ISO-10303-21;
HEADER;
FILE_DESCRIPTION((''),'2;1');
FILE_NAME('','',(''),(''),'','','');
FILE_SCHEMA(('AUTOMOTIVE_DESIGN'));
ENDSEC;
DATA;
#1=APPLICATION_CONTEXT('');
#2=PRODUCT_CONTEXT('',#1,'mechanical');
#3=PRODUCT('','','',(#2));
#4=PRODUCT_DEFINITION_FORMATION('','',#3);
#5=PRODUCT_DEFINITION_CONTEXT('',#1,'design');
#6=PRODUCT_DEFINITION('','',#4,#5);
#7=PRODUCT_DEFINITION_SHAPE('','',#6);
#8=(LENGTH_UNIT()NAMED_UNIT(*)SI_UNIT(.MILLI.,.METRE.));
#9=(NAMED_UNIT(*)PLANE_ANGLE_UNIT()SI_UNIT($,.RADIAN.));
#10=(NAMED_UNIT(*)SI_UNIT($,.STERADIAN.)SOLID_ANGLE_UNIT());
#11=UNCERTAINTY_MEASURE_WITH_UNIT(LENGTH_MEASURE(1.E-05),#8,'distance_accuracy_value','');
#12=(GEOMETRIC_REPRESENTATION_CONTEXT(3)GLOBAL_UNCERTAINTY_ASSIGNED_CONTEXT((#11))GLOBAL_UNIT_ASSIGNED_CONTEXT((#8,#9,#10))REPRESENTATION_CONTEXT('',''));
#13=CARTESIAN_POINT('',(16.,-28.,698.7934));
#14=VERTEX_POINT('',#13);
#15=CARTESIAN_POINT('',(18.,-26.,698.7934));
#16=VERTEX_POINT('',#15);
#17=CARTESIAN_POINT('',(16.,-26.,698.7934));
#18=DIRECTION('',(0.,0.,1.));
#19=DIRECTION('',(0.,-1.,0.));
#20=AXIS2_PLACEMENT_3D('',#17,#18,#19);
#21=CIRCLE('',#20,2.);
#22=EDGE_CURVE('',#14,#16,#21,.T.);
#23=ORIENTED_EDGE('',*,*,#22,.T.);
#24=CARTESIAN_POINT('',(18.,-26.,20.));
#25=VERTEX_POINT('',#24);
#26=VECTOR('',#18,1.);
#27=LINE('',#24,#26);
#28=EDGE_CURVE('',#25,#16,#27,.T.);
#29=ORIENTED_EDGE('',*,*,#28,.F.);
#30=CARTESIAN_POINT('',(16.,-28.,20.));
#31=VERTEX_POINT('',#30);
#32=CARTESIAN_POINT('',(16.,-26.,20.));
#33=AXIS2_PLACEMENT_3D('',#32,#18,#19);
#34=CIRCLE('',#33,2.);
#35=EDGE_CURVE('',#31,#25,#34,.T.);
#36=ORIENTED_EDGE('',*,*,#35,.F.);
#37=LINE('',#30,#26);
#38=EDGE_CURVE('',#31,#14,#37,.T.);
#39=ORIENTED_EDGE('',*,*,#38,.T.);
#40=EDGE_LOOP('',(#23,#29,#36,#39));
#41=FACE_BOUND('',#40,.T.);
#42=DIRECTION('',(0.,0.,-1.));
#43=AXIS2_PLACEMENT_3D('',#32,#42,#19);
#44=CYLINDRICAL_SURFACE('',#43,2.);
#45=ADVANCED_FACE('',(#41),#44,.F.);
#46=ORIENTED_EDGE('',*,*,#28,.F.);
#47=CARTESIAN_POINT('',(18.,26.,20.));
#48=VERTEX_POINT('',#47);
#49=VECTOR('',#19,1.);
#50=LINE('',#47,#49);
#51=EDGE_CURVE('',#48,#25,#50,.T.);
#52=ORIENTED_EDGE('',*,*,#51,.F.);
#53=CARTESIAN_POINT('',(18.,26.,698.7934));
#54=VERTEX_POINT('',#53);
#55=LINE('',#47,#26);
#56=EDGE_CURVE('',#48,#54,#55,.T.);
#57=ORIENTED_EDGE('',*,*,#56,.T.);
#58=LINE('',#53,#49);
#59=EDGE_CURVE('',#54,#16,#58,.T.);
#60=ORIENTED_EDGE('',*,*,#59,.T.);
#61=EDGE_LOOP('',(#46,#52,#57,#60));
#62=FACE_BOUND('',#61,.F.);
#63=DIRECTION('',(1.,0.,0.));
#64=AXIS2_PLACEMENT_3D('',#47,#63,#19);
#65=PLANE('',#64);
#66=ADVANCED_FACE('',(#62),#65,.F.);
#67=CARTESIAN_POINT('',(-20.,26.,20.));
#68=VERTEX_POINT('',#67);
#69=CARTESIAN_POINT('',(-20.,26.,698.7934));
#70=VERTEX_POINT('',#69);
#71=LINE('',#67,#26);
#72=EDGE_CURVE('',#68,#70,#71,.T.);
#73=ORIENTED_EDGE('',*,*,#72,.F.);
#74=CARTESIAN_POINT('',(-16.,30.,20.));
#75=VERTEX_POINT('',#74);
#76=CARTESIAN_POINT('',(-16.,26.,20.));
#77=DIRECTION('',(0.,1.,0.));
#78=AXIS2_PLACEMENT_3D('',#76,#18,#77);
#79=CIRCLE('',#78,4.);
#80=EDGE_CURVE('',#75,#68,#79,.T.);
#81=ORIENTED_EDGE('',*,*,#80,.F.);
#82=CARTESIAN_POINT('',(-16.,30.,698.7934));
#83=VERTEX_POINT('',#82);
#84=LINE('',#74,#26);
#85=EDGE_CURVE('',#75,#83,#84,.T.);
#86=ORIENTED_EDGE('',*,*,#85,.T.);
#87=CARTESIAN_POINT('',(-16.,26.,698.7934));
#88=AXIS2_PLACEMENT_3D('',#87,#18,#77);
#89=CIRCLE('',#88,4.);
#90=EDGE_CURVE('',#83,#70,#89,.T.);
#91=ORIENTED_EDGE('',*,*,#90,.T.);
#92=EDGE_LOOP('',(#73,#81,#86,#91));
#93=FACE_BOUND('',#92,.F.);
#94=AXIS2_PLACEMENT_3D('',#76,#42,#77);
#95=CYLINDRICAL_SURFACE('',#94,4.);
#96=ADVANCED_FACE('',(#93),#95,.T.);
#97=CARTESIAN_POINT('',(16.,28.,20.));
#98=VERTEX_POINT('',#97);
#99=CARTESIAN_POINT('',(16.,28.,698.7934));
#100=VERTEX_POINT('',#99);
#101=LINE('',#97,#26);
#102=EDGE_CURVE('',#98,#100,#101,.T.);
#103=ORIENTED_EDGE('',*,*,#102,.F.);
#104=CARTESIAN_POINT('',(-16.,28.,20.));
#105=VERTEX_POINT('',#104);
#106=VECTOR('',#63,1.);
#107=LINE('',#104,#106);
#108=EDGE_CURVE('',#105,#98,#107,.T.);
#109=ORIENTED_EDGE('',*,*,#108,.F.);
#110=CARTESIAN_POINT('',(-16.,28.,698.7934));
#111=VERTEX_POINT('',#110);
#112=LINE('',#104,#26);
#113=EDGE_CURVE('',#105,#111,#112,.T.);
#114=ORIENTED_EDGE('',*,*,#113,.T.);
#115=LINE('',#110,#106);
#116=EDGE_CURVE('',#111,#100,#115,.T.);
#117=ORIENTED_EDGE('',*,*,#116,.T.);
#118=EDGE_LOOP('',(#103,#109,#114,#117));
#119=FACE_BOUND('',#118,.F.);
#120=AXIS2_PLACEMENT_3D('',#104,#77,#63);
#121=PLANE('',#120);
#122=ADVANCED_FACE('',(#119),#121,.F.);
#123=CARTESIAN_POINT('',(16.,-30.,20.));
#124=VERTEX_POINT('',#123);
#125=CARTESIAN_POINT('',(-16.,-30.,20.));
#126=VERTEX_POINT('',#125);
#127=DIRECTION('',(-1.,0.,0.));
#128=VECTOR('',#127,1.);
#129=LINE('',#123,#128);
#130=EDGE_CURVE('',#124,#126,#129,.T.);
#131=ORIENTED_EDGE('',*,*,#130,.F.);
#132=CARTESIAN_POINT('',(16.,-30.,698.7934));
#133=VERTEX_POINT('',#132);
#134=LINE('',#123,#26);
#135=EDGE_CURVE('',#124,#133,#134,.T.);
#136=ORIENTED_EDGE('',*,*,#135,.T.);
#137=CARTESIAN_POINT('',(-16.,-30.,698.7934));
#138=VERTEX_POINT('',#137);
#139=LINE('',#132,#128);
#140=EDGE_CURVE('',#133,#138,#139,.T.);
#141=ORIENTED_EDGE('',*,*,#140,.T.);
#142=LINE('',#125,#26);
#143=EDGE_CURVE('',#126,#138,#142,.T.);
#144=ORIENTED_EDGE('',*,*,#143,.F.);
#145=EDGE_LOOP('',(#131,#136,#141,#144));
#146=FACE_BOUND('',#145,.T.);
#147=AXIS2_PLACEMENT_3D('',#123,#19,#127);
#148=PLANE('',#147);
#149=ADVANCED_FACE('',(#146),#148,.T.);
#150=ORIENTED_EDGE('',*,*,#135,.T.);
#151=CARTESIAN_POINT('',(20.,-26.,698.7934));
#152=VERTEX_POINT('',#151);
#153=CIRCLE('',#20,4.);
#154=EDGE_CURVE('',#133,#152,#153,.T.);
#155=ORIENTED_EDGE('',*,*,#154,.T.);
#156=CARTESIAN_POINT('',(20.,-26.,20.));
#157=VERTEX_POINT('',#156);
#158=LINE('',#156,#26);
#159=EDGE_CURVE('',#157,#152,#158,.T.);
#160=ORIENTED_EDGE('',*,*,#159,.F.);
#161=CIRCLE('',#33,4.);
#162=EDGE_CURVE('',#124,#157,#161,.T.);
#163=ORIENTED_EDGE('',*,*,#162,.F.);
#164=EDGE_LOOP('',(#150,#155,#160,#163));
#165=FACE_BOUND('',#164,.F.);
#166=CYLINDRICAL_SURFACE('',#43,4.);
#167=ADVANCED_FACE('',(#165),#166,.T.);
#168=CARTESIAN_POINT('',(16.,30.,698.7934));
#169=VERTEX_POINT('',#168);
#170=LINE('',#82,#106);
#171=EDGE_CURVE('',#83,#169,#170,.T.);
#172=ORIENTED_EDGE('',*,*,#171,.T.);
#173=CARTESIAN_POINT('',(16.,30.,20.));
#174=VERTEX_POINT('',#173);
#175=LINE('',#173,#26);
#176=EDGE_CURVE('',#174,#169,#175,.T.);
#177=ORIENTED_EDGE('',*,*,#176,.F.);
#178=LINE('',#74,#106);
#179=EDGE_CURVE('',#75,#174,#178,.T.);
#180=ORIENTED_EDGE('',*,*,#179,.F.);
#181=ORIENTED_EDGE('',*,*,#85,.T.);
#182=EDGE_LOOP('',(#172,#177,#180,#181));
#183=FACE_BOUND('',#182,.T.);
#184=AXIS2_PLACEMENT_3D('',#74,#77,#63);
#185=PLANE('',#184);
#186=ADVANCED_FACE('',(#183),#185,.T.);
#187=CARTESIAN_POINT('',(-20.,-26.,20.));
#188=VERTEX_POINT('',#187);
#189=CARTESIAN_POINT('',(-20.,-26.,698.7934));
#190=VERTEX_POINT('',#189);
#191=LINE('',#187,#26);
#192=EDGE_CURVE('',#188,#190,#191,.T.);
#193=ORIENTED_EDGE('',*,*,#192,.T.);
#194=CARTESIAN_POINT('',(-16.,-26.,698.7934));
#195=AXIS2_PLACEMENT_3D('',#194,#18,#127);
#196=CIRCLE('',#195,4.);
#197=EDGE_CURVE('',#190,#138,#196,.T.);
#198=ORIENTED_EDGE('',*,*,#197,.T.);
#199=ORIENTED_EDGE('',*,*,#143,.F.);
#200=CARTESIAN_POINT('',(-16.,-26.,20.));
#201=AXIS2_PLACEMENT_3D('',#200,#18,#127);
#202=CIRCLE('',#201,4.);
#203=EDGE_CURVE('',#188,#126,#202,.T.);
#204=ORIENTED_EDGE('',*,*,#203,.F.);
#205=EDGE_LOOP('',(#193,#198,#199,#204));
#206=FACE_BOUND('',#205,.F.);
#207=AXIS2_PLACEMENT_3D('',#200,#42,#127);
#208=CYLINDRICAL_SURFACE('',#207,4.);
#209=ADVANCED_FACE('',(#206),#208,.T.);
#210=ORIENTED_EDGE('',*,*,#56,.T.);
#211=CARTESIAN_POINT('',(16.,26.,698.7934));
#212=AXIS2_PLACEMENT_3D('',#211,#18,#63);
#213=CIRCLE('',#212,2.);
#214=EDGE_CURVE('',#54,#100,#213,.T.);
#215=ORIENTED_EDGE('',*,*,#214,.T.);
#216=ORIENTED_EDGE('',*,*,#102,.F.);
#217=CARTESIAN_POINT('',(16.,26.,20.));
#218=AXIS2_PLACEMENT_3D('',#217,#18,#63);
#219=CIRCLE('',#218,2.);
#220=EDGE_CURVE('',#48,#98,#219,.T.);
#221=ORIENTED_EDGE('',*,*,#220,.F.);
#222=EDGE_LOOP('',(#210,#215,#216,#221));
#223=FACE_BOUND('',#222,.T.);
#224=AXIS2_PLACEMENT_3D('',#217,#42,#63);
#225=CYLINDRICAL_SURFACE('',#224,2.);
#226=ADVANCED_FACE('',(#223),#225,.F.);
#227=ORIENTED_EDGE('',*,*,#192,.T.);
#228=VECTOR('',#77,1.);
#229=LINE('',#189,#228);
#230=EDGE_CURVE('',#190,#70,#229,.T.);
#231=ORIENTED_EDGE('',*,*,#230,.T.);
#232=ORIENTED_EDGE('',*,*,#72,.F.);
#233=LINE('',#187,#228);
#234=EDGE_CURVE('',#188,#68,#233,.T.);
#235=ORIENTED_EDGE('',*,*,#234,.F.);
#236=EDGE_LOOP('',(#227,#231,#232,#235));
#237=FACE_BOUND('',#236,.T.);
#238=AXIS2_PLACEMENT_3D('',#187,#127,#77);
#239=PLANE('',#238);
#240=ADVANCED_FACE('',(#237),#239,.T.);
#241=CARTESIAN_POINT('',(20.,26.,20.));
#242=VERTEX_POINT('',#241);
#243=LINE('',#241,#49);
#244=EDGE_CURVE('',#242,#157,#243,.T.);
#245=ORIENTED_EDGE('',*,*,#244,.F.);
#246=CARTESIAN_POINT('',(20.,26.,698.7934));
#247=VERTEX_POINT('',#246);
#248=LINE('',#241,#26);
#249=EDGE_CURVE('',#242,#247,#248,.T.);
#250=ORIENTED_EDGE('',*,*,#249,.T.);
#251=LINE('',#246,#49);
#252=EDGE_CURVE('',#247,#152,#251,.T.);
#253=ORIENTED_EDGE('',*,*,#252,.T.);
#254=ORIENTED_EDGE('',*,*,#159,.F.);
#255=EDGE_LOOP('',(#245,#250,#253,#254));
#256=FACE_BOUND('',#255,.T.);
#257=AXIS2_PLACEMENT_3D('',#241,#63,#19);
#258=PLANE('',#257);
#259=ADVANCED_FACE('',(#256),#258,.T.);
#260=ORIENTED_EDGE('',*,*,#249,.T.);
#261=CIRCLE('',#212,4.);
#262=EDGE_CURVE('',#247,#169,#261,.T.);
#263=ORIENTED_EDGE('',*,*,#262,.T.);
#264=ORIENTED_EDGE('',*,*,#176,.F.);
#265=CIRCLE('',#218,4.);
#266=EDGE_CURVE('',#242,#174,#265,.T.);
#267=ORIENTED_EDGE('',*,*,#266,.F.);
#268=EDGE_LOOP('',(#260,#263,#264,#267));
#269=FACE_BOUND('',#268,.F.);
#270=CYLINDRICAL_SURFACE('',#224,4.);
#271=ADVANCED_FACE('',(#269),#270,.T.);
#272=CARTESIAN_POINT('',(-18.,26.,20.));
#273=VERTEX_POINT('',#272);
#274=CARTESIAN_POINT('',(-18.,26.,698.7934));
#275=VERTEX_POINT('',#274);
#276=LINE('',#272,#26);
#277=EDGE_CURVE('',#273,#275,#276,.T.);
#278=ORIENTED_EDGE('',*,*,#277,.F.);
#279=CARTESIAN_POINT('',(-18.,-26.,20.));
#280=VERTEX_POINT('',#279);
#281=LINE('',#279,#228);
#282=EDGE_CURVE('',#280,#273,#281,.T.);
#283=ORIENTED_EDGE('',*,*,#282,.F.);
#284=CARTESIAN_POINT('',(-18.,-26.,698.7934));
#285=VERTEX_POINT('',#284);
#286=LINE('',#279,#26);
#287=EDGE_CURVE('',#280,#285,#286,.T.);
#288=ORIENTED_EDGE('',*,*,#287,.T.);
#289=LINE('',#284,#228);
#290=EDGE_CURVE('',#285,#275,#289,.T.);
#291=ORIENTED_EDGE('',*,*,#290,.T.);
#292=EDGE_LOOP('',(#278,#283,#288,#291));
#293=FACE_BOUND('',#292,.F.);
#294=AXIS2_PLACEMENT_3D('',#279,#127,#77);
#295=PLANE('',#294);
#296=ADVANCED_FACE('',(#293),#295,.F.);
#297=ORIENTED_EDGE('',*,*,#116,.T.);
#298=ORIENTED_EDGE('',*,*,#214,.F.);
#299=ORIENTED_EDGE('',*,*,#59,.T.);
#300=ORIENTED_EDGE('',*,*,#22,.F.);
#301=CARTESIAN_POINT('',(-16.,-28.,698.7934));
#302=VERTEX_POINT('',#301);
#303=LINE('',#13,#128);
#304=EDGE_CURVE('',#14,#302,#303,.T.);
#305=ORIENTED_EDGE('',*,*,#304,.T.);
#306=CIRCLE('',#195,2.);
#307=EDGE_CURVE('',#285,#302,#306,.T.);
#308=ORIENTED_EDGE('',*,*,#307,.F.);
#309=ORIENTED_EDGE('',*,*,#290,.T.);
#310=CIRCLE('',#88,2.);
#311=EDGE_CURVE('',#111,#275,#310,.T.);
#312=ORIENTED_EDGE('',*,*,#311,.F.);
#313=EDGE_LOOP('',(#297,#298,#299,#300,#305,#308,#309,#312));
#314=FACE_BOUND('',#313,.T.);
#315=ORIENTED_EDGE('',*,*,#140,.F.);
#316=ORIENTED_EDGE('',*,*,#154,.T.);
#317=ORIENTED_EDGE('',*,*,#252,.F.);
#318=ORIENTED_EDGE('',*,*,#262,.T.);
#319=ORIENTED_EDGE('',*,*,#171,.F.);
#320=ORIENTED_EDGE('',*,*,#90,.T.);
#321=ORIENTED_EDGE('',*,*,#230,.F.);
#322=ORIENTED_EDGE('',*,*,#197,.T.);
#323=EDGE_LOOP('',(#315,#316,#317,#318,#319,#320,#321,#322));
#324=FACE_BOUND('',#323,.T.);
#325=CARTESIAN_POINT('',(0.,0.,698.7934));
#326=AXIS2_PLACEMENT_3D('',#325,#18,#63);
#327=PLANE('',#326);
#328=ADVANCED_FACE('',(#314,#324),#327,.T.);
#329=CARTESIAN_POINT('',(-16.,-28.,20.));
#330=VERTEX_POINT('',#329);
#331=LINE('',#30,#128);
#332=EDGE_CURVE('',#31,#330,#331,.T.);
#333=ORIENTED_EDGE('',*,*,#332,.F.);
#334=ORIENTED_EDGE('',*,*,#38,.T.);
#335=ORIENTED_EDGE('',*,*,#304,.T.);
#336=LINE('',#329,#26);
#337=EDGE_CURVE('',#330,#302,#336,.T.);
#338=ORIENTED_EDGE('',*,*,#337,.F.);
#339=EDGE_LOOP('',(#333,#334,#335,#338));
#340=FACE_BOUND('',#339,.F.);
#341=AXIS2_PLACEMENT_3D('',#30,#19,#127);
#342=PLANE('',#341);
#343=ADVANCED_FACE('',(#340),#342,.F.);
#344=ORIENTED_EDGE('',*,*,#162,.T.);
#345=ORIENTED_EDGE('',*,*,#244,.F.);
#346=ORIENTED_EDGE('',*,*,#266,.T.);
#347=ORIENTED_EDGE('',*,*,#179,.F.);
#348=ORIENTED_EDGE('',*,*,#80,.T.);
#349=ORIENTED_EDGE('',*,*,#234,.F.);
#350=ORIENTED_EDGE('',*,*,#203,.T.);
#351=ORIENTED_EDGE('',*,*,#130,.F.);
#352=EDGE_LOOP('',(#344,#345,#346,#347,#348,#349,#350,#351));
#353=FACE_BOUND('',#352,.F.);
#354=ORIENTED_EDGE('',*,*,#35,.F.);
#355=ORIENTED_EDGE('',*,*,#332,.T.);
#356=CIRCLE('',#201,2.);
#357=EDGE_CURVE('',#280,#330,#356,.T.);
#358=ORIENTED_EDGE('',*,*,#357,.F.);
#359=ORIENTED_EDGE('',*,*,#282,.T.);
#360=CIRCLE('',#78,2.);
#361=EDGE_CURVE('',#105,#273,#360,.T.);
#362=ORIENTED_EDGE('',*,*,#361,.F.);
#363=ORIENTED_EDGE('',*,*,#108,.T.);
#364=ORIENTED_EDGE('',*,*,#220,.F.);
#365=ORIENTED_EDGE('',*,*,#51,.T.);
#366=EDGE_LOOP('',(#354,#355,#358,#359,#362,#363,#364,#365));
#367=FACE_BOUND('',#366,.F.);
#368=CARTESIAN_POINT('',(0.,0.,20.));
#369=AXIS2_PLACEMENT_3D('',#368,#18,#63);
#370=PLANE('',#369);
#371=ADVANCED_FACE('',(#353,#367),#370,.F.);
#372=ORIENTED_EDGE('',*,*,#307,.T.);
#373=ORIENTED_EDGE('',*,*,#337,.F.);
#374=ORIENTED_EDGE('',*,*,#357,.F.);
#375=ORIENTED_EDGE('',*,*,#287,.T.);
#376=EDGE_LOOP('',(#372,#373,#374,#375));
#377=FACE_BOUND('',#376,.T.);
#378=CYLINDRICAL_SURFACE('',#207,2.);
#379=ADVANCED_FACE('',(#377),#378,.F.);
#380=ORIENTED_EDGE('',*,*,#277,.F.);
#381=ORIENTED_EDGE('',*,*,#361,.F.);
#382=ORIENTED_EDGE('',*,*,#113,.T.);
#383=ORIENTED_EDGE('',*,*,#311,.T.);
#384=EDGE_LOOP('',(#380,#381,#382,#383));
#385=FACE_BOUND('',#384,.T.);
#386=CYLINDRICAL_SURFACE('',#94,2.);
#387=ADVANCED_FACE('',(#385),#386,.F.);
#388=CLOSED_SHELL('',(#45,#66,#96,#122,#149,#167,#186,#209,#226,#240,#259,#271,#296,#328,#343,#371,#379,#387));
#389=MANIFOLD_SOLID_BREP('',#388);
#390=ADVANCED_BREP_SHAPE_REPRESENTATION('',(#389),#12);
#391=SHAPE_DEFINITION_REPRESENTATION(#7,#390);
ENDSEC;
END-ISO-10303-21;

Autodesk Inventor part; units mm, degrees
ref_plane "YZ Plane" through (0, 0, 0) normal (1, 0, 0) x (0, 1, 0)
ref_plane "Start Plane" through (0, 0, 20) normal (0, 0, 1) x (1, 0, 0)
ref_plane "End Plane" through (0, 0, 698.7934) normal (0, 0, 1) x (1, 0, 0)
sketch "Sketch" plane through (0, 0, 0) normal (0, 0, 1) x (1, 0, 0)
  line L0 (-20, -26) -> (-20, 26)
  line L1 (-16, 30) -> (16, 30)
  line L2 (20, 26) -> (20, -26)
  line L3 (16, -30) -> (-16, -30)
  arc A0 (-20, -26) -> (-16, -30) centre (-16, -26) ccw
  arc A1 (20, 26) -> (16, 30) centre (16, 26) ccw
  arc A2 (-16, 30) -> (-20, 26) centre (-16, 26) ccw
  arc A3 (16, -30) -> (20, -26) centre (16, -26) ccw
  arc A4 (-16, 28) -> (-18, 26) centre (-16, 26) ccw
  line L4 (-16, 28) -> (16, 28)
  arc A5 (18, 26) -> (16, 28) centre (16, 26) ccw
  line L5 (18, 26) -> (18, -26)
  arc A6 (16, -28) -> (18, -26) centre (16, -26) ccw
  line L6 (16, -28) -> (-16, -28)
  arc A7 (-18, -26) -> (-16, -28) centre (-16, -26) ccw
  line L7 (-18, -26) -> (-18, 26)
  line L8 (0, 43.1598) -> (0, -43.1598) construction
  line L9 (-29.1598, 0) -> (29.1598, 0) construction
  dimension "d7" = 4
  dimension "d9" = 40
  dimension "d11" = 60
  dimension "d12" = 2
  dimension "d15" = 20
  dimension "d16" = 30
extrude "Body" add sketch "Sketch" along normal up to surface (678.7934 mm away) from surface at 20
sketch "Sketch3" plane through (0, 0, 0) normal (0, 0, 1) x (1, 0, 0)
  line L0 (0, 0) -> (10, 0)
ref_plane "Work Plane3" through (0, 0, 0) normal (0, -1, 0) x (1, 0, 0)
sketch "Sketch4" plane through (0, 0, 0) normal (0, -1, 0) x (1, 0, 0)
  line L0 (-2, 20) -> (12, 20) projected
  line L1 (-2, 698.7934) -> (12, 698.7934) projected
  dimension "d18" = 678.7934
equation "\"d7\" = G_IR"
equation "\"d9\" = G_W"
equation "\"d11\" = G_H"
equation "\"d12\" = G_T"
equation "\"d15\" = 0.5 * d9"
equation "\"d16\" = 0.5 * d11"
equation "\"d3\" = G_L"
equation "\"G_W\" = 40"
equation "\"G_H\" = 60"
equation "\"G_T\" = 2"
equation "\"G_IR\" = 4"
equation "\"G_L\" = d18"
equation "\"G_OFFSET_END\" = 0"
equation "\"d14\" = G_OFFSET_END + B_L"
equation "\"B_L\" = 698.79336"
properties part number "ISO 10799-2 - 60x40x2 - 678,79" material "Steel, Mild"
